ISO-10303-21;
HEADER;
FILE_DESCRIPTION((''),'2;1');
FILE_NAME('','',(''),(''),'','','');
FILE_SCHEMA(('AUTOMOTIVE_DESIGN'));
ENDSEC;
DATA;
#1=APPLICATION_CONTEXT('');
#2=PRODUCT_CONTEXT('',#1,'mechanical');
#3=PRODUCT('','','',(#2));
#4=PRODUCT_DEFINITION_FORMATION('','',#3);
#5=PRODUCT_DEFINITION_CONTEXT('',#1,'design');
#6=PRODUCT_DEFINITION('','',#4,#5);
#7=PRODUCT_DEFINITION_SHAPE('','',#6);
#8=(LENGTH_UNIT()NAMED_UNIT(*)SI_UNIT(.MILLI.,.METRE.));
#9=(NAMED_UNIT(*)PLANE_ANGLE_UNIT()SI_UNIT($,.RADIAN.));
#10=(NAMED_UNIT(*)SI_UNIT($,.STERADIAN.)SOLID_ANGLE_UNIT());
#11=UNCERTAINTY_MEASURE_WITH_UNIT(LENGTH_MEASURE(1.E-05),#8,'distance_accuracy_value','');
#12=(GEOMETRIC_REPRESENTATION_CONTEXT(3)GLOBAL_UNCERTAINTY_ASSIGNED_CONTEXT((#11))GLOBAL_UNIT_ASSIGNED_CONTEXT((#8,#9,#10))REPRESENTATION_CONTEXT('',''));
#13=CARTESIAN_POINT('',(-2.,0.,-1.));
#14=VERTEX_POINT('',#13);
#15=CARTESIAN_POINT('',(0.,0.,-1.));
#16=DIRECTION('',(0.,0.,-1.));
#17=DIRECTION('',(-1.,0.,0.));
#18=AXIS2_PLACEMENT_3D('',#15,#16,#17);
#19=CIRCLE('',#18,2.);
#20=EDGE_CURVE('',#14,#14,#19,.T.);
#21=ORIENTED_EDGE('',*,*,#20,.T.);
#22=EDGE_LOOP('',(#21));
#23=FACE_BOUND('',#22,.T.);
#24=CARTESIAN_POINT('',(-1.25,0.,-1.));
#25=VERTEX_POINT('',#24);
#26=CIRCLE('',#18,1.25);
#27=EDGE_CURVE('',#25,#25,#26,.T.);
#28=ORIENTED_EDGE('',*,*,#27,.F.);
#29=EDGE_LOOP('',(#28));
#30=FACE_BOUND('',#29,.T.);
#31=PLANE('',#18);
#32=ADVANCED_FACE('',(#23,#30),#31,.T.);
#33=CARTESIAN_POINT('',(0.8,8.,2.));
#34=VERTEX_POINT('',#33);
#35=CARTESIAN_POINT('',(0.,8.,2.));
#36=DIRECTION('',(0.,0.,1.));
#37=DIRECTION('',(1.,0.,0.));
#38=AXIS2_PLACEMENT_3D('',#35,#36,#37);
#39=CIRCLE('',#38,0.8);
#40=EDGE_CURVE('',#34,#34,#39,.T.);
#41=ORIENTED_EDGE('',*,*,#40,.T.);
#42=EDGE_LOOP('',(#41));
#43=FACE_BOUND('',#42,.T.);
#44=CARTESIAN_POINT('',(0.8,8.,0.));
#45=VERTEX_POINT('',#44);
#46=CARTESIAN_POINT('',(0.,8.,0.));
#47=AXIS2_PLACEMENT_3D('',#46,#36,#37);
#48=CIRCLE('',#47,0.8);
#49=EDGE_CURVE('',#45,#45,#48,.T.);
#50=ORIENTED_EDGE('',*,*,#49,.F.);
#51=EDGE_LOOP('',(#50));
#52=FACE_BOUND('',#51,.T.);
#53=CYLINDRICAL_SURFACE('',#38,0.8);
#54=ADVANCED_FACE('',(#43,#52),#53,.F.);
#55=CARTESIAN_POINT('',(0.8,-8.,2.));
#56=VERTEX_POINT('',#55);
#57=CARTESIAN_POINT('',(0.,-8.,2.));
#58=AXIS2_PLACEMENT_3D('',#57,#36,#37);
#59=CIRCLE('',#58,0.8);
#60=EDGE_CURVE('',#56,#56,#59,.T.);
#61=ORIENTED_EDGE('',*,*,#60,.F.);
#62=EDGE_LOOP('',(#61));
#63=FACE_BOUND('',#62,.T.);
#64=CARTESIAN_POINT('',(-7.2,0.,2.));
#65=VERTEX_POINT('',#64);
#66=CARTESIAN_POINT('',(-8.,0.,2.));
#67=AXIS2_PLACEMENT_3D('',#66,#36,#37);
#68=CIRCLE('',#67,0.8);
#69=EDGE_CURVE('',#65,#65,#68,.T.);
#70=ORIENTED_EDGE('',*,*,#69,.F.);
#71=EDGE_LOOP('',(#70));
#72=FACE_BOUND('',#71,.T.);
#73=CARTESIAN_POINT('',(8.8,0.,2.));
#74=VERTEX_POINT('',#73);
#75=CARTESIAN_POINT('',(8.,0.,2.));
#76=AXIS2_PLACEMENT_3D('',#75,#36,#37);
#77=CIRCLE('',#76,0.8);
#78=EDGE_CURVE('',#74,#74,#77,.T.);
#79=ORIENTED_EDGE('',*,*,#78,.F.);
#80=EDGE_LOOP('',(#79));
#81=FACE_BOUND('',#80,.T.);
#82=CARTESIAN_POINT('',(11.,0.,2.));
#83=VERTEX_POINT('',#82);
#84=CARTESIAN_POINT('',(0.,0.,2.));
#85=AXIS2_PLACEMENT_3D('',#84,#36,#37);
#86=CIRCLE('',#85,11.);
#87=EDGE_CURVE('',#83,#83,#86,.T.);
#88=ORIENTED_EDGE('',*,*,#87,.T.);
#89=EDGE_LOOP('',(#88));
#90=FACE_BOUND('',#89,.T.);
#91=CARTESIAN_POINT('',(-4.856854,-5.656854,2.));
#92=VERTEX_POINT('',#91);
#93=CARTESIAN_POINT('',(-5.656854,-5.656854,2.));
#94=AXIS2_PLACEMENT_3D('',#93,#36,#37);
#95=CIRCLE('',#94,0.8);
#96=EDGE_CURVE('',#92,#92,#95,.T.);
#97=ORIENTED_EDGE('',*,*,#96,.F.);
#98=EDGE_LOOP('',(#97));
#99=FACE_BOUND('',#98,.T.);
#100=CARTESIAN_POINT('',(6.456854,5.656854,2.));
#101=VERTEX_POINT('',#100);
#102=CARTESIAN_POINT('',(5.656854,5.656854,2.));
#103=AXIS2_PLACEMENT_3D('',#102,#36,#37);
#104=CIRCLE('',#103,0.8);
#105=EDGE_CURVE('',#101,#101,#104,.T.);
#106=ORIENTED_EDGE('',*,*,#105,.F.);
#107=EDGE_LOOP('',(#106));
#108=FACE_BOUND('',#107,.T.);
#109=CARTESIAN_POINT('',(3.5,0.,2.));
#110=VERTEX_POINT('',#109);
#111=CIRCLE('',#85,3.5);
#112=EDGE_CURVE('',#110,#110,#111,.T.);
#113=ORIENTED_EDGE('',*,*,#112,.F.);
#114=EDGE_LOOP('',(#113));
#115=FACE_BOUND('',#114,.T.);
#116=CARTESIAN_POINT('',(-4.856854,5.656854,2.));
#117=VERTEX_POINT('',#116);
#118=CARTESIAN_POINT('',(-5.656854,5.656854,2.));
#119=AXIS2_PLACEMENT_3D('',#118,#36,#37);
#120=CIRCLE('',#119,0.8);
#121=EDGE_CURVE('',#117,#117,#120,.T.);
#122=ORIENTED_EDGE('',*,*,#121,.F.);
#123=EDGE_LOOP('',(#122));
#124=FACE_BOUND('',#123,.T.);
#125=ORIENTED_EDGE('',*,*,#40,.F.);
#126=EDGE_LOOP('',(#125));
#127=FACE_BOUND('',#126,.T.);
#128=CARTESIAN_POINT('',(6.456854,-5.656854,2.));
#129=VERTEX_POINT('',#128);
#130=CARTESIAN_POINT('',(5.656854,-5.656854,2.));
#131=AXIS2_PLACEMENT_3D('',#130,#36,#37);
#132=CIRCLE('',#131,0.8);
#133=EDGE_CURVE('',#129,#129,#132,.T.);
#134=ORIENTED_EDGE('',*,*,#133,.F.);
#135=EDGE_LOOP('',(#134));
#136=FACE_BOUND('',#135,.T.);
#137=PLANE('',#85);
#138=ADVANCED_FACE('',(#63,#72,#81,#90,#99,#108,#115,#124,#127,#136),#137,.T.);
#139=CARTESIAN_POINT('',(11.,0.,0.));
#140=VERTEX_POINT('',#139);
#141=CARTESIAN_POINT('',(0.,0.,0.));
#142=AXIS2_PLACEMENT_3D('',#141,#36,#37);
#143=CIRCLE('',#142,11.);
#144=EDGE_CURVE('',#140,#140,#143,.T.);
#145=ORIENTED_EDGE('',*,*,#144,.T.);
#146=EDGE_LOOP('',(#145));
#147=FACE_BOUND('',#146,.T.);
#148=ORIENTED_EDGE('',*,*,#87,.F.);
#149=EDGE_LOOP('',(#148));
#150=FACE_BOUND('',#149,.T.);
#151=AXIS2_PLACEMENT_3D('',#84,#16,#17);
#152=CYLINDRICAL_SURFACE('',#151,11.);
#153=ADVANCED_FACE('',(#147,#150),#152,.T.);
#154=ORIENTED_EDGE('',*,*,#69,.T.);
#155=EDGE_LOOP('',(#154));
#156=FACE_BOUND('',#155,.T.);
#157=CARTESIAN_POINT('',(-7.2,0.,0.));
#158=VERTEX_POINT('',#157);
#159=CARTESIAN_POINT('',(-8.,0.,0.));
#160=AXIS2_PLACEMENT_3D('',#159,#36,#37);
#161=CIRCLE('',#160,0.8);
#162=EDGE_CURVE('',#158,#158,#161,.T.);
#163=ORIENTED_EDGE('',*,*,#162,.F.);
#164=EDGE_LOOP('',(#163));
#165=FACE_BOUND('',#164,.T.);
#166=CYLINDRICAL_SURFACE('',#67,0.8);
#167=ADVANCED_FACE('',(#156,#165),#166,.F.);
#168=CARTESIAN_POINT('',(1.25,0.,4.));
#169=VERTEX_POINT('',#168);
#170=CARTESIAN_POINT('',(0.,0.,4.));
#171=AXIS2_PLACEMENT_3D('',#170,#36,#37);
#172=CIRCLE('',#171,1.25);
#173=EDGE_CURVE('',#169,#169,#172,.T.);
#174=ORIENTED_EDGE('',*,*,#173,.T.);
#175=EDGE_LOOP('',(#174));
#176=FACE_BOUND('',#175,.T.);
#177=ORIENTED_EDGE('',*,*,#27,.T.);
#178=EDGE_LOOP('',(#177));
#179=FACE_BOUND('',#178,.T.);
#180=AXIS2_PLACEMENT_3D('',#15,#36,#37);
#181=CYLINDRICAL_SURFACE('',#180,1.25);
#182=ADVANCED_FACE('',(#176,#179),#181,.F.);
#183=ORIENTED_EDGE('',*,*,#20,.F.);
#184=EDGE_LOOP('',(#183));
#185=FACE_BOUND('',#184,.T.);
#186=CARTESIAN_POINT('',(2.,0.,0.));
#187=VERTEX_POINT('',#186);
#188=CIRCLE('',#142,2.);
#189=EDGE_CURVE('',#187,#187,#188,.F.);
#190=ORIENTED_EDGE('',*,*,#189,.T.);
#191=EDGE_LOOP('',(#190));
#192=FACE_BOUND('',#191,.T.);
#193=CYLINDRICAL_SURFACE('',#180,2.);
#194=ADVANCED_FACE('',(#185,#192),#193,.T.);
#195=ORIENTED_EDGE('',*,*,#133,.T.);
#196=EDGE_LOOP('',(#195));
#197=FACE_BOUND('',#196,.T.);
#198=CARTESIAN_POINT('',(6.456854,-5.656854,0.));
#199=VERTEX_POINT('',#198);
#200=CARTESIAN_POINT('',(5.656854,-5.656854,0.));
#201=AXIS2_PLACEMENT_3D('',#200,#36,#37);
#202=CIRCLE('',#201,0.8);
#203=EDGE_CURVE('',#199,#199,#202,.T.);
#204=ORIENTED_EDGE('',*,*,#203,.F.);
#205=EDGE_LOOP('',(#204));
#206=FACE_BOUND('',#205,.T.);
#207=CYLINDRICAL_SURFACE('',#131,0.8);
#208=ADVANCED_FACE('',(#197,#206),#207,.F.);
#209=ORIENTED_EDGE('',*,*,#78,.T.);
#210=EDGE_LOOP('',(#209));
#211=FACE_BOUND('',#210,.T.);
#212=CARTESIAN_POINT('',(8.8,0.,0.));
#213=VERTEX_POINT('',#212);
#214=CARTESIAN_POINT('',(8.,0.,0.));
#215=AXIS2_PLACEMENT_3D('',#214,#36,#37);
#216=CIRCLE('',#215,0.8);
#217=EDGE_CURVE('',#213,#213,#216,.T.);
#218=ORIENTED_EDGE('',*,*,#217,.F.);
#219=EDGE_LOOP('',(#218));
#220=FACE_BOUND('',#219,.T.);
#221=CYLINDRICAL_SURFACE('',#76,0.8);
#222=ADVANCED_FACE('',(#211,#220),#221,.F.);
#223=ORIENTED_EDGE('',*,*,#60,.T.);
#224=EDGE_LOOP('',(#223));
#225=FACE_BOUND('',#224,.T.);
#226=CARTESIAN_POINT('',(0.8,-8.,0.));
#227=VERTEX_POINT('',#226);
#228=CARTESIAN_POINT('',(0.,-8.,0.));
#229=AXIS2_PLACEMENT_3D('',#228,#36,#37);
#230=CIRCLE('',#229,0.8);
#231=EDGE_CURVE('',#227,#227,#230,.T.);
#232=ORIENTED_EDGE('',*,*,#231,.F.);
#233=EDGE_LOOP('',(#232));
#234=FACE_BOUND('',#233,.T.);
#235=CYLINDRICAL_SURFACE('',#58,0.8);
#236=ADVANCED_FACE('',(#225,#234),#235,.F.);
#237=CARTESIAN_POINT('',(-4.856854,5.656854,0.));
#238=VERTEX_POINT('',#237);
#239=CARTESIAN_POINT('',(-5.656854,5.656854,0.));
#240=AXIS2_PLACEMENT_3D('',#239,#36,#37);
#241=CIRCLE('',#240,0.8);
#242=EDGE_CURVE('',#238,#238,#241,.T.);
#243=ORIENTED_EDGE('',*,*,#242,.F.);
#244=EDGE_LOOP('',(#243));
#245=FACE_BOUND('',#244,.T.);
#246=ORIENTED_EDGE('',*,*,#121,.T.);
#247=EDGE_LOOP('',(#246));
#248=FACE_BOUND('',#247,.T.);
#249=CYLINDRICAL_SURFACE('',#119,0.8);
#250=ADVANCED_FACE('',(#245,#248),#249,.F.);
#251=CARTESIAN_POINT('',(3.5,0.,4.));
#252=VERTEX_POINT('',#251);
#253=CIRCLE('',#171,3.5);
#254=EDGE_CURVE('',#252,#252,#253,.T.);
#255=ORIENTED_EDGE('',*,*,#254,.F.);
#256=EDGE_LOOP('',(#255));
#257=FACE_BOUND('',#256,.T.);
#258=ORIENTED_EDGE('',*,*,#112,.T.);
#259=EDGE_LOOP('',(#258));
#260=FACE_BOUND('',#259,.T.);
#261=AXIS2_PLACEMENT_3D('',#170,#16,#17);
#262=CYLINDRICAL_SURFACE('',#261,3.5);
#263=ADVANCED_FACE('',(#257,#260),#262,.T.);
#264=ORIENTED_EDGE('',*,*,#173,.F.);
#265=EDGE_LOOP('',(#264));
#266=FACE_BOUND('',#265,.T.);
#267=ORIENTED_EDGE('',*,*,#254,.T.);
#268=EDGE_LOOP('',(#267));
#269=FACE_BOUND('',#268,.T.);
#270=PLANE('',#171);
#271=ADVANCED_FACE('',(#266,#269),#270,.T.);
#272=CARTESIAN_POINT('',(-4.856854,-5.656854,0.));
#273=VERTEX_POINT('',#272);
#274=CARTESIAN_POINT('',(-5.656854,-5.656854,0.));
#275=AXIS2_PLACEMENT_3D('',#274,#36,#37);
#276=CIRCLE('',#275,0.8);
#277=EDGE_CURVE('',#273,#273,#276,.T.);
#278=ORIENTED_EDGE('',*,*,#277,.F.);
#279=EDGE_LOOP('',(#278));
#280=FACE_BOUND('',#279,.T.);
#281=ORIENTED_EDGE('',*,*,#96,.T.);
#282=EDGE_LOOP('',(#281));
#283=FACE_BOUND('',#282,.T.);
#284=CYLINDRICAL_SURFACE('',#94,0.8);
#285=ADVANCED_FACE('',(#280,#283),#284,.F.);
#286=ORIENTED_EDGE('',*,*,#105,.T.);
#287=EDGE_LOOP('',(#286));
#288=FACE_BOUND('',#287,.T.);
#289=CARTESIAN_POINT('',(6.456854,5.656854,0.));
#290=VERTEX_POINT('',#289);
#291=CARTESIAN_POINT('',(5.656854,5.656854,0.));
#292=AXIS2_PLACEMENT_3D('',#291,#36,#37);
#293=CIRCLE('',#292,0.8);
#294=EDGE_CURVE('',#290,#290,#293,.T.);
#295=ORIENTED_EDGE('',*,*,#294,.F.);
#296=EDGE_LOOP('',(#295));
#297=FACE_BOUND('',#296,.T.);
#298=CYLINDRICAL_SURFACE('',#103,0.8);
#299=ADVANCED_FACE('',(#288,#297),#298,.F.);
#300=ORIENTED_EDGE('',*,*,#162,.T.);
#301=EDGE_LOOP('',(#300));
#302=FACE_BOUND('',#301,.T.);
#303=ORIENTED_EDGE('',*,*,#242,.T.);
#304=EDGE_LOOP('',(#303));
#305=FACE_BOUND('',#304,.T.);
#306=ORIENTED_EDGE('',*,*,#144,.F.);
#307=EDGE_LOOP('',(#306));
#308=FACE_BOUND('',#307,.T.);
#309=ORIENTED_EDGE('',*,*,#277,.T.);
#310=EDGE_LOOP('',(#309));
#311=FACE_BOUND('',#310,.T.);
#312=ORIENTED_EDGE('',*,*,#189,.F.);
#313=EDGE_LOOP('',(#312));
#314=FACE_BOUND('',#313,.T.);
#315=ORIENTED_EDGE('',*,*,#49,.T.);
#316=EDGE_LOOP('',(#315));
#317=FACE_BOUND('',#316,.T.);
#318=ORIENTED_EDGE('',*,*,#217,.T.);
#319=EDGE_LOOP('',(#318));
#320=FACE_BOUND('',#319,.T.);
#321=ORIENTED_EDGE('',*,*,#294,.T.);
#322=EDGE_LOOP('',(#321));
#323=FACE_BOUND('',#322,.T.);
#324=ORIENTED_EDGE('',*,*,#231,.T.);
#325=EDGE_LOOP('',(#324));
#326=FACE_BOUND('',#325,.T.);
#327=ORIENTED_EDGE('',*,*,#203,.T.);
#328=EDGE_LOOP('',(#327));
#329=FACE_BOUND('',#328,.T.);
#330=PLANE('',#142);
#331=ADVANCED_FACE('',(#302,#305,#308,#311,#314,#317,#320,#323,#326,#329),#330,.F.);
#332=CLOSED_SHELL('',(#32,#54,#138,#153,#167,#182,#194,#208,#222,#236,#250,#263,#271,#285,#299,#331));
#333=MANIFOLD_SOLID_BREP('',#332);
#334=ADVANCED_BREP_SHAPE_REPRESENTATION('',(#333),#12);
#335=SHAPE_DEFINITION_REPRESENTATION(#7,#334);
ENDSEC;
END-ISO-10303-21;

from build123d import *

# Parameters (mm, degrees)
SKETCH1_R                 = 11
BOSS_EXTRUDE1_DEPTH       = 2
SKETCH3_R                 = 3.5
BOSS_EXTRUDE2_DEPTH       = 2
M2X0_4_TAPPED_HOLE1_D     = 1.6
M2X0_4_TAPPED_HOLE1_DEPTH = 5.2
M2X0_4_TAPPED_HOLE1_TIP   = 0.480688495
SKETCH8_R                 = 2
SKETCH8_R_2               = 1.25
BOSS_EXTRUDE3_DEPTH       = 1
M3X0_5_TAPPED_HOLE1_D     = 2.5
M3X0_5_TAPPED_HOLE1_DEPTH = 7.5
M3X0_5_TAPPED_HOLE1_TIP   = 0.751075774


with BuildPart() as part:
    # Sketch1 → Boss-Extrude1 (new body)
    with BuildSketch(Plane.XY):
        Circle(SKETCH1_R)
    extrude(amount=BOSS_EXTRUDE1_DEPTH)

    # Sketch3 → Boss-Extrude2 (add)
    with BuildSketch(Plane.XY.offset(2)):
        Circle(SKETCH3_R)
    extrude(amount=BOSS_EXTRUDE2_DEPTH)

    # M2x0.4 Tapped Hole1
    with Locations(Plane.XY.offset(2)):
        with Locations((0, 8), (-5.656854249, 5.656854249), (-8, 0), (-5.656854249, -5.656854249), (0, -8), (5.656854249, -5.656854249), (8, 0), (5.656854249, 5.656854249)):
            Hole(M2X0_4_TAPPED_HOLE1_D / 2, depth=M2X0_4_TAPPED_HOLE1_DEPTH)
            with Locations((0, 0, -(M2X0_4_TAPPED_HOLE1_DEPTH + M2X0_4_TAPPED_HOLE1_TIP / 2))):  # 118° drill point
                Cone(0, M2X0_4_TAPPED_HOLE1_D / 2, M2X0_4_TAPPED_HOLE1_TIP, mode=Mode.SUBTRACT)

    # Sketch8 → Boss-Extrude3 (add)
    with BuildSketch(Plane(origin=(0, 0, 0), x_dir=(-1, 0, 0), z_dir=(0, 0, -1))):
        Circle(SKETCH8_R)
        Circle(SKETCH8_R_2, mode=Mode.SUBTRACT)
    extrude(amount=BOSS_EXTRUDE3_DEPTH)

    # M3x0.5 Tapped Hole1
    with Locations(Plane.XY.offset(4)):
        with Locations((0, 0)):
            Hole(M3X0_5_TAPPED_HOLE1_D / 2, depth=M3X0_5_TAPPED_HOLE1_DEPTH)
            with Locations((0, 0, -(M3X0_5_TAPPED_HOLE1_DEPTH + M3X0_5_TAPPED_HOLE1_TIP / 2))):  # 118° drill point
                Cone(0, M3X0_5_TAPPED_HOLE1_D / 2, M3X0_5_TAPPED_HOLE1_TIP, mode=Mode.SUBTRACT)


solid = part.part
